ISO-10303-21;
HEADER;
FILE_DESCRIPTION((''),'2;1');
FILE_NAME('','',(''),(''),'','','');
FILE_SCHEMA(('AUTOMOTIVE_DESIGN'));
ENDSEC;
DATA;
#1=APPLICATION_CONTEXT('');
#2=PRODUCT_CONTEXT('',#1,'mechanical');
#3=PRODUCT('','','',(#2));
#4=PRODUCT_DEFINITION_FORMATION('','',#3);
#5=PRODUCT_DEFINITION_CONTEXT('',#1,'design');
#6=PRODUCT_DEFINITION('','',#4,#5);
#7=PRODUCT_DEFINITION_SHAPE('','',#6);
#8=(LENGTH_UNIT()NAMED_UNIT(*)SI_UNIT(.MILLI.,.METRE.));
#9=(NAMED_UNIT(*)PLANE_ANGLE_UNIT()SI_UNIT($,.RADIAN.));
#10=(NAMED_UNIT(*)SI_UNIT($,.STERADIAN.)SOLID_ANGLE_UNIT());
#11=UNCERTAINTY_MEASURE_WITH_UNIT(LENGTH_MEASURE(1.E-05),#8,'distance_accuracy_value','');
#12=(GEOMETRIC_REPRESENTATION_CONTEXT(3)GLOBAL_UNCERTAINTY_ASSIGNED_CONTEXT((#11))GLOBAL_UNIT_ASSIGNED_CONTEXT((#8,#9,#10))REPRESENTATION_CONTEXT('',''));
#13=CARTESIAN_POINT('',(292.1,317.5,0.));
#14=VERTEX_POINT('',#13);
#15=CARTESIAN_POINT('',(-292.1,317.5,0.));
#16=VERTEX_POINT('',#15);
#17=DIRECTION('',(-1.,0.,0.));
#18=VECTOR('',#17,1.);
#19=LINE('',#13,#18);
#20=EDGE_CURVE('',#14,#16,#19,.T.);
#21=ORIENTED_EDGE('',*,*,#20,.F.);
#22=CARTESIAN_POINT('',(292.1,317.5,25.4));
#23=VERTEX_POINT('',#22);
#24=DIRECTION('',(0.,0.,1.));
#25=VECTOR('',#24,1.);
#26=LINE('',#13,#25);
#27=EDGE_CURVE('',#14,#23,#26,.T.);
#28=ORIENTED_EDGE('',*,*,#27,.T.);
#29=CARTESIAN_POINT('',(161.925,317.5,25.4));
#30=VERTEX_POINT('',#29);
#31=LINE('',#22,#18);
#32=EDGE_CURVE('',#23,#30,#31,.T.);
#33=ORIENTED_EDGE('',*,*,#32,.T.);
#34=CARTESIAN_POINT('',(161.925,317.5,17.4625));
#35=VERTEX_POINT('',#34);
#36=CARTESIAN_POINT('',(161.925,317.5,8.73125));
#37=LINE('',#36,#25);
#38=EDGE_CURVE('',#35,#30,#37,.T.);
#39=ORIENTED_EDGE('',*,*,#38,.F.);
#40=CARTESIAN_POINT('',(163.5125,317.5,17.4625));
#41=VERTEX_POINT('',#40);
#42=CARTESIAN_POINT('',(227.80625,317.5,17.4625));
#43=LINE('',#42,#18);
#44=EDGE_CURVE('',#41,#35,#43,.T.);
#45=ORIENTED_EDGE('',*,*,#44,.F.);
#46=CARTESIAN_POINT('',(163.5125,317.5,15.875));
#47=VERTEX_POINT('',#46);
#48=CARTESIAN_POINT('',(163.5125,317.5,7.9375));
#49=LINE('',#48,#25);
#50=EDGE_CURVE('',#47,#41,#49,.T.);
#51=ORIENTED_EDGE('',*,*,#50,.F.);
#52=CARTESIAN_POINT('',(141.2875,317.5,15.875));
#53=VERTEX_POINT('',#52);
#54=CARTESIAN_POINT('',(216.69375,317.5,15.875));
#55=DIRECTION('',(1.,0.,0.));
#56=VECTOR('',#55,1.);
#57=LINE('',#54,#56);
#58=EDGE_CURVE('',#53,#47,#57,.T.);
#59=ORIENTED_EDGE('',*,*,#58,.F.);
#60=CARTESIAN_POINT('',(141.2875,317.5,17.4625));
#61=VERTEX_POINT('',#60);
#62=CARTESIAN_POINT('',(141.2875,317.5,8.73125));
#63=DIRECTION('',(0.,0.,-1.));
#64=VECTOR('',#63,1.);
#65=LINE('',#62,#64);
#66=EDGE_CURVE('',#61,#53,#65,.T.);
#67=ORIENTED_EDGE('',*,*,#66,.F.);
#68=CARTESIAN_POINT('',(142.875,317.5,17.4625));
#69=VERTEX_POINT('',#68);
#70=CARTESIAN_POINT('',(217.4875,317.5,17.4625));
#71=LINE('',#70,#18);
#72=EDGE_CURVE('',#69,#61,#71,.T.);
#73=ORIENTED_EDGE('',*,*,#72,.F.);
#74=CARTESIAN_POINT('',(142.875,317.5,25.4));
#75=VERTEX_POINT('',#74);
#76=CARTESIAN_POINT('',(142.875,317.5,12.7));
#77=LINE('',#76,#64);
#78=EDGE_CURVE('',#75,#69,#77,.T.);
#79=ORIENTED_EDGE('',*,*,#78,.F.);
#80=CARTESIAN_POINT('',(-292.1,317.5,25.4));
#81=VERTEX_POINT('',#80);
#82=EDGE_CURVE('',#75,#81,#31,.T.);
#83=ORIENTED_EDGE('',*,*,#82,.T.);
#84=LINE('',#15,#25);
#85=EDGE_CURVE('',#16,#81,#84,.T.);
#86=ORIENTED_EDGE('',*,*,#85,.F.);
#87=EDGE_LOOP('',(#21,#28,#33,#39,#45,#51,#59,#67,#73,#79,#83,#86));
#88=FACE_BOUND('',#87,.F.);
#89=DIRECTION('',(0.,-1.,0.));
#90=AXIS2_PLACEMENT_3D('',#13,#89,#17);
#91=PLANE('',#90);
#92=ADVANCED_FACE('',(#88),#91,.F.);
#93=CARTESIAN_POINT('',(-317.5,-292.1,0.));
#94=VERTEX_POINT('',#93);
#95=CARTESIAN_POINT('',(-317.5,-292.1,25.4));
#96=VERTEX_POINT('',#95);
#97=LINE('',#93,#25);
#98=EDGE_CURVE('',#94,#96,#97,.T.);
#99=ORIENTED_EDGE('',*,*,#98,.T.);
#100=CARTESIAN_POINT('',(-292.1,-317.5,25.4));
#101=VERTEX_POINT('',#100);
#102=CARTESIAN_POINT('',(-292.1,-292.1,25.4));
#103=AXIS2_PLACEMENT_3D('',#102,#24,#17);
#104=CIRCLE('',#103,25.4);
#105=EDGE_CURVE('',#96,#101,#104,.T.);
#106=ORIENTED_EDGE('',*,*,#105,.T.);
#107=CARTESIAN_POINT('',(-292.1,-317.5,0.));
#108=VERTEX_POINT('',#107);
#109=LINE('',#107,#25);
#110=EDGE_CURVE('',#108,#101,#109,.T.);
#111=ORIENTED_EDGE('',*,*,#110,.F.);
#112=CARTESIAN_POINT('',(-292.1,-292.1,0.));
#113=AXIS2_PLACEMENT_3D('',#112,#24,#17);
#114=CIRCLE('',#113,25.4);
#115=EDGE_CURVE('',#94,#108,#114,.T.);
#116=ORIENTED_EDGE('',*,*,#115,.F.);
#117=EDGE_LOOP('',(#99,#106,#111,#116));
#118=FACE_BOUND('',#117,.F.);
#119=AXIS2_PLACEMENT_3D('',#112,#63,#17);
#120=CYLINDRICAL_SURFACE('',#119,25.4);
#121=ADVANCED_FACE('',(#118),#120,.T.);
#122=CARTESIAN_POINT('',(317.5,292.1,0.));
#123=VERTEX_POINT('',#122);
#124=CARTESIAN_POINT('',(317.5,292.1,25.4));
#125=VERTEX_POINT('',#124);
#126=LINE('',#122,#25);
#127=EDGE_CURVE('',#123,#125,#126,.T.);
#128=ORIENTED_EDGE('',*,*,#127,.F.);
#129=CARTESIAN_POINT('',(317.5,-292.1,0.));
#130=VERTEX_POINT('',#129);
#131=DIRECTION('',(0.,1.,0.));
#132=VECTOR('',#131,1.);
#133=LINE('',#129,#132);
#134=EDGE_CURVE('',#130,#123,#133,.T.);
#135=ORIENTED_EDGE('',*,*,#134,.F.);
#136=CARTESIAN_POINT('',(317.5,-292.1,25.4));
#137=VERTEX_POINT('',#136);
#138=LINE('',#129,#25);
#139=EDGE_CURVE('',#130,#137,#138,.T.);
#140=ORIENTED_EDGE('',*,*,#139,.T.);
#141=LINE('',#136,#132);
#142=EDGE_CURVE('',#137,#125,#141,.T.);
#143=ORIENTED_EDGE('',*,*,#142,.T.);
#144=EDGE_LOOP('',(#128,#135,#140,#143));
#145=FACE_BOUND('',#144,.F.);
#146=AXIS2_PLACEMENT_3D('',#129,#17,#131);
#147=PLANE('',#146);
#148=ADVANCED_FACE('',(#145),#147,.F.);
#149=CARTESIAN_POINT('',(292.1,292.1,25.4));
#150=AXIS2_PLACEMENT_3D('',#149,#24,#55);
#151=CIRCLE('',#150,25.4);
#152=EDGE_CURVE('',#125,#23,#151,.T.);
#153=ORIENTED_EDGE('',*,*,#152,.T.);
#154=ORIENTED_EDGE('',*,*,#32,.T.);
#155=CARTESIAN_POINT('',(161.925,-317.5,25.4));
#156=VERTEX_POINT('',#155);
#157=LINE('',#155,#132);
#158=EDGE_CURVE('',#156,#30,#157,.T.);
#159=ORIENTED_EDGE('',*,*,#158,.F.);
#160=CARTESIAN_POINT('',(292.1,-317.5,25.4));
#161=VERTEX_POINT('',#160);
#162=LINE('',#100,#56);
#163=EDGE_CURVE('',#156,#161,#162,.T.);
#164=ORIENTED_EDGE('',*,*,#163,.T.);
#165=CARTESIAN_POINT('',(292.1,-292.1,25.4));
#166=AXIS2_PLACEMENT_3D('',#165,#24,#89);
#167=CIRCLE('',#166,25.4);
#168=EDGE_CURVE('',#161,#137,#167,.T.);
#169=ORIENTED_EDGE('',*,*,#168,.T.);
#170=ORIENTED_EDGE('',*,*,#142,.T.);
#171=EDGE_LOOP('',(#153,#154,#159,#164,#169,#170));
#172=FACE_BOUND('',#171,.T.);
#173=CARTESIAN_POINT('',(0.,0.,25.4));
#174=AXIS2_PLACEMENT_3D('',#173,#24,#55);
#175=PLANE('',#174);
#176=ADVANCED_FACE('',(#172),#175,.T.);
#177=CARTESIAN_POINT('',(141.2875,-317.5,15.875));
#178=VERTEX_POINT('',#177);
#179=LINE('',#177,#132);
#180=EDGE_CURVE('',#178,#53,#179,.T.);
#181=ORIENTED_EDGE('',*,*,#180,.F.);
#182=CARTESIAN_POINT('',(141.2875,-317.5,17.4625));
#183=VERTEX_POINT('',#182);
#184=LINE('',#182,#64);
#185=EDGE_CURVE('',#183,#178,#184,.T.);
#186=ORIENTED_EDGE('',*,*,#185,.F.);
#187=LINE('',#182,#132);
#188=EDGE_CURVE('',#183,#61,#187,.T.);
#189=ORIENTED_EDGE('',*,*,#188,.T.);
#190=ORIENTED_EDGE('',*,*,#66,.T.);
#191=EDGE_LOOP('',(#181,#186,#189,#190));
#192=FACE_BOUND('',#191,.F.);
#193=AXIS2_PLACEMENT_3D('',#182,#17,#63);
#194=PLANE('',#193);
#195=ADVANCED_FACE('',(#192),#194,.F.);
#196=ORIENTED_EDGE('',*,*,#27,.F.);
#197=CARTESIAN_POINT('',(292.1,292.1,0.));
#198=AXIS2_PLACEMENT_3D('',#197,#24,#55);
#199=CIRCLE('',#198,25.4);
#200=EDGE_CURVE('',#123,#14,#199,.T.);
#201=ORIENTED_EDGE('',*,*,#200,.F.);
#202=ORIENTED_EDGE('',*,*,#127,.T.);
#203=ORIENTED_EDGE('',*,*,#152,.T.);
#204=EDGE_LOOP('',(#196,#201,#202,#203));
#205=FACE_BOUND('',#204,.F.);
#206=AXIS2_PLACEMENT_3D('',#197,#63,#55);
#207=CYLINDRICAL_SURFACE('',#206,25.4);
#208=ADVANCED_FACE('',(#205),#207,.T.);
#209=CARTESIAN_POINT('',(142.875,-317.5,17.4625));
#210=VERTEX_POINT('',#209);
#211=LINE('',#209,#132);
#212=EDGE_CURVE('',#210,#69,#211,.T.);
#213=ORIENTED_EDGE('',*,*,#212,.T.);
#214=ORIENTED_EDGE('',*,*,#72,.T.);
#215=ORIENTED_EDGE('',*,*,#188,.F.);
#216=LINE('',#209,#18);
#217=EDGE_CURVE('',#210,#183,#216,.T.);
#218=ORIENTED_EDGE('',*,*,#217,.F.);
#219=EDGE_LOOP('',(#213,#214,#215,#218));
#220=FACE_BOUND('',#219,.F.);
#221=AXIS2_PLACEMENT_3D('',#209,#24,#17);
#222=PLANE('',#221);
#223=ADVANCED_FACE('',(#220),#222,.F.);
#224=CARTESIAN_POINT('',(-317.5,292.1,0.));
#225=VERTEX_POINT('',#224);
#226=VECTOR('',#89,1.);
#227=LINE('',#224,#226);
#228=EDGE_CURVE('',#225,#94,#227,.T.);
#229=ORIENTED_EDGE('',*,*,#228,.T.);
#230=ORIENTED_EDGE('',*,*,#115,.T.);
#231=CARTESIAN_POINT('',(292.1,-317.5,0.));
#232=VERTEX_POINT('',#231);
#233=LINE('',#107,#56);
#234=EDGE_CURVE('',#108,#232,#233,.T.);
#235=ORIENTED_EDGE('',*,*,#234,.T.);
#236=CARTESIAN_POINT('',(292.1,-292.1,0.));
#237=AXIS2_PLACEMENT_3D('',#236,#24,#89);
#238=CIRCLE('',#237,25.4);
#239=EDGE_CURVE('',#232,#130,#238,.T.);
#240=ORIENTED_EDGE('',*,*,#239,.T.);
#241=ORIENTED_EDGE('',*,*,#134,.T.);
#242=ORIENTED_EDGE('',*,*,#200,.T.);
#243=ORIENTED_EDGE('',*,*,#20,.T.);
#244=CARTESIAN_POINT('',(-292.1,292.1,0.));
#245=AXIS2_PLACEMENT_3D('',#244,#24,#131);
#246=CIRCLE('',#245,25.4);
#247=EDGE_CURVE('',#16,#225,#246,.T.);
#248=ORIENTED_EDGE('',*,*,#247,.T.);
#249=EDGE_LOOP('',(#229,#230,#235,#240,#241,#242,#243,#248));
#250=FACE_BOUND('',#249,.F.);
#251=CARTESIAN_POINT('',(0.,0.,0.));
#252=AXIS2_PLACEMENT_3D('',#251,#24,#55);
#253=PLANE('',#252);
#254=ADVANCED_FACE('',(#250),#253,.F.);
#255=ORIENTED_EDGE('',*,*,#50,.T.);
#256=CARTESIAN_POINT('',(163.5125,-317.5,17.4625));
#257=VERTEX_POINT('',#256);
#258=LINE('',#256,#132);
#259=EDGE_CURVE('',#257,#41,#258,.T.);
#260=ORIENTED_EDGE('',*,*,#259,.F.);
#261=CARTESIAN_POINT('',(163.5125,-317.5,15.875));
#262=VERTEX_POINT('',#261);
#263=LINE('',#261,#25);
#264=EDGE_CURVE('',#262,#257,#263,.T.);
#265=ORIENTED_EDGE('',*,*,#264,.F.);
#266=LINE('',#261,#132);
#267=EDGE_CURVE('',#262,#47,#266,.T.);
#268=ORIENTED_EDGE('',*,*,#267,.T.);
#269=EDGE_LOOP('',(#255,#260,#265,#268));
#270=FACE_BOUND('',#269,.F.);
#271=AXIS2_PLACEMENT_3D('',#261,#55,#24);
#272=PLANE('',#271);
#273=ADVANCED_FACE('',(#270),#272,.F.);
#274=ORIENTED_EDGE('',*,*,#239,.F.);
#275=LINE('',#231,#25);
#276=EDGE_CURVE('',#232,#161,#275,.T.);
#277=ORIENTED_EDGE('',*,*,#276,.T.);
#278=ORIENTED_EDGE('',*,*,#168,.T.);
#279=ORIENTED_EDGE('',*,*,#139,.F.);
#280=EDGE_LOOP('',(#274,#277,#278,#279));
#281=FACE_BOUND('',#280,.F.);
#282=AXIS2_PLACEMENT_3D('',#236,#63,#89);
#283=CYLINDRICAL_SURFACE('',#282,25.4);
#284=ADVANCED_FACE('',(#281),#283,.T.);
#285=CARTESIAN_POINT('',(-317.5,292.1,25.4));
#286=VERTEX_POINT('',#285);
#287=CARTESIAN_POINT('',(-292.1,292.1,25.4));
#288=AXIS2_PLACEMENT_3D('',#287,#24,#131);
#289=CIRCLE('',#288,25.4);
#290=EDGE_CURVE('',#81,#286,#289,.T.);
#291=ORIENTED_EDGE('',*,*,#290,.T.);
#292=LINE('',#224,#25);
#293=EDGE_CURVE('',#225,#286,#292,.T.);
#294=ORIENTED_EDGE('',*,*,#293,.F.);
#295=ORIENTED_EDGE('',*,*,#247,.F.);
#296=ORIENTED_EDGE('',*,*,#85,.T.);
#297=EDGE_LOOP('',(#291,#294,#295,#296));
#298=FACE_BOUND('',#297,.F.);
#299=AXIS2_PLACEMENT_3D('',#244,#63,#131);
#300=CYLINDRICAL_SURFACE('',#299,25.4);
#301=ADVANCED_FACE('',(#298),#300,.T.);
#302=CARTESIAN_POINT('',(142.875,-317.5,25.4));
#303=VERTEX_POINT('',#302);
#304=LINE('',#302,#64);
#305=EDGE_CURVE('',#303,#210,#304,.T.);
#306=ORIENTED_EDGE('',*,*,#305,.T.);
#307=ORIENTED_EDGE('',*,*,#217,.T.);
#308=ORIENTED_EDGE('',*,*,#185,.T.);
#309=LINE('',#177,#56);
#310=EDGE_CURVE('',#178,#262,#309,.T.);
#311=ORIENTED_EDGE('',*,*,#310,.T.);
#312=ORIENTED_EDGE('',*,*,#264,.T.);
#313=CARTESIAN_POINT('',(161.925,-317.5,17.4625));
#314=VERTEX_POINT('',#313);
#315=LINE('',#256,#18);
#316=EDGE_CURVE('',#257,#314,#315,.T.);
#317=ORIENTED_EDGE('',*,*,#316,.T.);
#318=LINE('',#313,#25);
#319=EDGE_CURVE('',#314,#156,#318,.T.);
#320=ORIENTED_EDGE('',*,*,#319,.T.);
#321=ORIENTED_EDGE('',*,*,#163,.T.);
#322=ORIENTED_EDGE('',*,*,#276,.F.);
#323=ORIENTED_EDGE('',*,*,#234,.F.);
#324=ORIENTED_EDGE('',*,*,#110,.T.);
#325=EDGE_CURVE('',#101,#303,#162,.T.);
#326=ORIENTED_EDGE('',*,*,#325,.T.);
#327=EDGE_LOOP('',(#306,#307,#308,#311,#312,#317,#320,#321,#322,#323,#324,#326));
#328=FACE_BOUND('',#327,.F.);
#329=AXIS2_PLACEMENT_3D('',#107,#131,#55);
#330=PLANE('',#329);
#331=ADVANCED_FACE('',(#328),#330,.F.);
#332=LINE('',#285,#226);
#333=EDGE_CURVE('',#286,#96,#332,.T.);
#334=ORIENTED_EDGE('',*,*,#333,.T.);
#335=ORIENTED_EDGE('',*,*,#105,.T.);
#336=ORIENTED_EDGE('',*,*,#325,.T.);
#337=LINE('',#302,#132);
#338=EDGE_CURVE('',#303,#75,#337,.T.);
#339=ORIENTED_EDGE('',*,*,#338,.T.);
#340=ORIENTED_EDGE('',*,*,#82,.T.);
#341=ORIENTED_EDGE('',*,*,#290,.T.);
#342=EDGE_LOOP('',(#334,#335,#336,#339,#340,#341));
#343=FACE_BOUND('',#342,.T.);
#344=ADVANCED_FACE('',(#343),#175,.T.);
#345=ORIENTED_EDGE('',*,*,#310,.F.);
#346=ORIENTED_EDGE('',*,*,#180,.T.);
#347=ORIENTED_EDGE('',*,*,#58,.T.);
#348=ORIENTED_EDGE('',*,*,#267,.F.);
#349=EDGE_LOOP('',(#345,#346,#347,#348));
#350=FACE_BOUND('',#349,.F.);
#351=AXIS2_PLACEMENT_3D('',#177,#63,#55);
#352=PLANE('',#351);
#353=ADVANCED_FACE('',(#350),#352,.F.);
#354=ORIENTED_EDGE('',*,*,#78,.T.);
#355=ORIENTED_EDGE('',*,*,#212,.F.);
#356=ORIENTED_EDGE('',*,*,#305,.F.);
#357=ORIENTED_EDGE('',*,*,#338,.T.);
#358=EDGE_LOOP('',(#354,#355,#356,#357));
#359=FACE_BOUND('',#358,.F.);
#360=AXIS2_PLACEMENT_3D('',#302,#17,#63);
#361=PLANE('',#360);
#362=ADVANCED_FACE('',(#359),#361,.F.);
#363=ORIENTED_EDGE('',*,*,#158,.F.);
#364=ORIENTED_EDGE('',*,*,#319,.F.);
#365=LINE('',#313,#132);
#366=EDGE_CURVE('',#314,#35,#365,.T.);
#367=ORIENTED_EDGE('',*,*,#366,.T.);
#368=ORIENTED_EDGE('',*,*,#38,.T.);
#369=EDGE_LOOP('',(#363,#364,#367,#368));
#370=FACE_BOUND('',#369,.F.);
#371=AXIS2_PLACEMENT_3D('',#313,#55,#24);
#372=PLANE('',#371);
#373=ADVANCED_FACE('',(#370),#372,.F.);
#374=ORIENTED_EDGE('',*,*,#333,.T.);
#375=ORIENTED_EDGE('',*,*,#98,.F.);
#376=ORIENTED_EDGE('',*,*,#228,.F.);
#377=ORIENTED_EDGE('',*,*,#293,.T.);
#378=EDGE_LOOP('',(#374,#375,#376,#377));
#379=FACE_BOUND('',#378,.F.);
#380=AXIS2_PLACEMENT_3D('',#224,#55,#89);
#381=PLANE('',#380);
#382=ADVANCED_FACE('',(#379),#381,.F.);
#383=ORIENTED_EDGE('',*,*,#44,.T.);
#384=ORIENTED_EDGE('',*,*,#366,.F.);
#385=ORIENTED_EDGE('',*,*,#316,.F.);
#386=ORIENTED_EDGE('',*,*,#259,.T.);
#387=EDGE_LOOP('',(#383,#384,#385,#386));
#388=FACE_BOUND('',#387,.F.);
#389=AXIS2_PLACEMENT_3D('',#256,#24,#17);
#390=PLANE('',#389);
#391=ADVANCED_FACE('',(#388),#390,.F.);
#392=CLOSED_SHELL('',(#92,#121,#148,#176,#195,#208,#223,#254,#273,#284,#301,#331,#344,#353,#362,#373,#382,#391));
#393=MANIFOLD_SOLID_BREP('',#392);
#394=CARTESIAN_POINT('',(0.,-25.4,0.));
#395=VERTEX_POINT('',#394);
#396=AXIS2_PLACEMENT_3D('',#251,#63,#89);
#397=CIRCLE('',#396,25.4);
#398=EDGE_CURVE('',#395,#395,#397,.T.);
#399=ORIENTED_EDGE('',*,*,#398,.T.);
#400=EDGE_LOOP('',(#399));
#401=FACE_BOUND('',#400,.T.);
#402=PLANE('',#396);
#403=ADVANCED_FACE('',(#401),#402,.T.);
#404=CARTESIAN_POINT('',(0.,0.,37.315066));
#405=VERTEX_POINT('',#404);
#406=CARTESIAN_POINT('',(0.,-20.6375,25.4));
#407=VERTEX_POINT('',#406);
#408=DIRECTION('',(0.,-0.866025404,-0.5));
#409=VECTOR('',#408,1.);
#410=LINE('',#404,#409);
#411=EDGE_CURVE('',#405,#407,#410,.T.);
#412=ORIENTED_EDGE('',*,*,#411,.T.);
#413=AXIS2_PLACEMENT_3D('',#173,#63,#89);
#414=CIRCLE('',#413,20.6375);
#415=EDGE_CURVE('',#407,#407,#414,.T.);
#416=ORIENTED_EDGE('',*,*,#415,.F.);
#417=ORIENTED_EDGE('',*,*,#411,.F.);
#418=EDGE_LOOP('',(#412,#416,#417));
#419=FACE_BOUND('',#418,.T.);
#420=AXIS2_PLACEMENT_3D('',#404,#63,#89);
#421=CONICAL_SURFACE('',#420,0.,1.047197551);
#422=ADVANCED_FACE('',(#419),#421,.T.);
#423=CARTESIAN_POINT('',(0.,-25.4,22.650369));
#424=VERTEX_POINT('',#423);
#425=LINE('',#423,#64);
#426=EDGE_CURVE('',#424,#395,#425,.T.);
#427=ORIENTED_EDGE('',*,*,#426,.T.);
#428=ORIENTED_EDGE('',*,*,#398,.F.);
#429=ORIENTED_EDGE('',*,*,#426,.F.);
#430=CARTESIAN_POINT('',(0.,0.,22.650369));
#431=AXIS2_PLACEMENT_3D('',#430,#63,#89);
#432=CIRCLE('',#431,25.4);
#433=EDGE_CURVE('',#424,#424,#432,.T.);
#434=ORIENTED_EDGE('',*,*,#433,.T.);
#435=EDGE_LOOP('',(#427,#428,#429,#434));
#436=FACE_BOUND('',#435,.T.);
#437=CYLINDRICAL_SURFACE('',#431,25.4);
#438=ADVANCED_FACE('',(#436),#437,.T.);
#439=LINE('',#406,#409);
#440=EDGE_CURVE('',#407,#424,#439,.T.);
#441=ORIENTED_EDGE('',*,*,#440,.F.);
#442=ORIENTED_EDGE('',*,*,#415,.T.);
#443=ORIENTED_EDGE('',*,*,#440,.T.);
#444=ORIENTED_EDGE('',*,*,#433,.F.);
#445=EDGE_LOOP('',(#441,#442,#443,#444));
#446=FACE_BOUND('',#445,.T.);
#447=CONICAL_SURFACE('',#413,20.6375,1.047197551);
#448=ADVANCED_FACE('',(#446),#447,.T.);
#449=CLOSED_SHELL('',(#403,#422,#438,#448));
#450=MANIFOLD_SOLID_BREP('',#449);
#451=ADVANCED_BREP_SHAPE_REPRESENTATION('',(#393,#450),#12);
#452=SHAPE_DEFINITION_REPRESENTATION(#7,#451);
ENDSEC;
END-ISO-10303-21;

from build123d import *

# Parameters (mm, degrees)
F1_DEPTH = 25.4
F5_DEPTH = 635.001


with BuildPart() as f1:
    # F0 (on Top) → F1 (new body)
    with BuildSketch(Plane.XY):
        with BuildLine():
            Line((292.1, 317.5), (-292.1, 317.5))
            ThreePointArc((-292.1, 317.5), (-310.0605122421, 310.0605122421), (-317.5, 292.1))
            Line((-317.5, 292.1), (-317.5, -292.1))
            ThreePointArc((-317.5, -292.1), (-310.0605122421, -310.0605122421), (-292.1, -317.5))
            Line((-292.1, -317.5), (292.1, -317.5))
            ThreePointArc((292.1, -317.5), (310.0605122421, -310.0605122421), (317.5, -292.1))
            Line((317.5, -292.1), (317.5, 292.1))
            ThreePointArc((317.5, 292.1), (310.0605122421, 310.0605122421), (292.1, 317.5))
        make_face()
    extrude(amount=F1_DEPTH)

    # F4 (on face) → F5 (cut, through all)
    with BuildSketch(Plane.XZ.offset(317.5)):
        Polygon((161.925, 25.4), (142.875, 25.4), (142.875, 17.4625), (141.2875, 17.4625), (141.2875, 15.875), (163.5125, 15.875), (163.5125, 17.4625), (161.925, 17.4625), align=None)
    extrude(amount=-F5_DEPTH, mode=Mode.SUBTRACT)


with BuildPart() as f3:
    # F2 (on Right) → F3 (revolve)
    with BuildSketch(Plane.YZ):
        Polygon((0, 25.4), (0, 37.3150661804), (-20.6375, 25.4), align=None)
        Polygon((0, 25.4), (-20.6375, 25.4), (-25.4, 22.650369343), (-25.4, 0), (0, 0), align=None)
    revolve(axis=Axis((0, 0, 18.6575330902), (0, 0, -1)))


solid = Compound([f1.part, f3.part])
